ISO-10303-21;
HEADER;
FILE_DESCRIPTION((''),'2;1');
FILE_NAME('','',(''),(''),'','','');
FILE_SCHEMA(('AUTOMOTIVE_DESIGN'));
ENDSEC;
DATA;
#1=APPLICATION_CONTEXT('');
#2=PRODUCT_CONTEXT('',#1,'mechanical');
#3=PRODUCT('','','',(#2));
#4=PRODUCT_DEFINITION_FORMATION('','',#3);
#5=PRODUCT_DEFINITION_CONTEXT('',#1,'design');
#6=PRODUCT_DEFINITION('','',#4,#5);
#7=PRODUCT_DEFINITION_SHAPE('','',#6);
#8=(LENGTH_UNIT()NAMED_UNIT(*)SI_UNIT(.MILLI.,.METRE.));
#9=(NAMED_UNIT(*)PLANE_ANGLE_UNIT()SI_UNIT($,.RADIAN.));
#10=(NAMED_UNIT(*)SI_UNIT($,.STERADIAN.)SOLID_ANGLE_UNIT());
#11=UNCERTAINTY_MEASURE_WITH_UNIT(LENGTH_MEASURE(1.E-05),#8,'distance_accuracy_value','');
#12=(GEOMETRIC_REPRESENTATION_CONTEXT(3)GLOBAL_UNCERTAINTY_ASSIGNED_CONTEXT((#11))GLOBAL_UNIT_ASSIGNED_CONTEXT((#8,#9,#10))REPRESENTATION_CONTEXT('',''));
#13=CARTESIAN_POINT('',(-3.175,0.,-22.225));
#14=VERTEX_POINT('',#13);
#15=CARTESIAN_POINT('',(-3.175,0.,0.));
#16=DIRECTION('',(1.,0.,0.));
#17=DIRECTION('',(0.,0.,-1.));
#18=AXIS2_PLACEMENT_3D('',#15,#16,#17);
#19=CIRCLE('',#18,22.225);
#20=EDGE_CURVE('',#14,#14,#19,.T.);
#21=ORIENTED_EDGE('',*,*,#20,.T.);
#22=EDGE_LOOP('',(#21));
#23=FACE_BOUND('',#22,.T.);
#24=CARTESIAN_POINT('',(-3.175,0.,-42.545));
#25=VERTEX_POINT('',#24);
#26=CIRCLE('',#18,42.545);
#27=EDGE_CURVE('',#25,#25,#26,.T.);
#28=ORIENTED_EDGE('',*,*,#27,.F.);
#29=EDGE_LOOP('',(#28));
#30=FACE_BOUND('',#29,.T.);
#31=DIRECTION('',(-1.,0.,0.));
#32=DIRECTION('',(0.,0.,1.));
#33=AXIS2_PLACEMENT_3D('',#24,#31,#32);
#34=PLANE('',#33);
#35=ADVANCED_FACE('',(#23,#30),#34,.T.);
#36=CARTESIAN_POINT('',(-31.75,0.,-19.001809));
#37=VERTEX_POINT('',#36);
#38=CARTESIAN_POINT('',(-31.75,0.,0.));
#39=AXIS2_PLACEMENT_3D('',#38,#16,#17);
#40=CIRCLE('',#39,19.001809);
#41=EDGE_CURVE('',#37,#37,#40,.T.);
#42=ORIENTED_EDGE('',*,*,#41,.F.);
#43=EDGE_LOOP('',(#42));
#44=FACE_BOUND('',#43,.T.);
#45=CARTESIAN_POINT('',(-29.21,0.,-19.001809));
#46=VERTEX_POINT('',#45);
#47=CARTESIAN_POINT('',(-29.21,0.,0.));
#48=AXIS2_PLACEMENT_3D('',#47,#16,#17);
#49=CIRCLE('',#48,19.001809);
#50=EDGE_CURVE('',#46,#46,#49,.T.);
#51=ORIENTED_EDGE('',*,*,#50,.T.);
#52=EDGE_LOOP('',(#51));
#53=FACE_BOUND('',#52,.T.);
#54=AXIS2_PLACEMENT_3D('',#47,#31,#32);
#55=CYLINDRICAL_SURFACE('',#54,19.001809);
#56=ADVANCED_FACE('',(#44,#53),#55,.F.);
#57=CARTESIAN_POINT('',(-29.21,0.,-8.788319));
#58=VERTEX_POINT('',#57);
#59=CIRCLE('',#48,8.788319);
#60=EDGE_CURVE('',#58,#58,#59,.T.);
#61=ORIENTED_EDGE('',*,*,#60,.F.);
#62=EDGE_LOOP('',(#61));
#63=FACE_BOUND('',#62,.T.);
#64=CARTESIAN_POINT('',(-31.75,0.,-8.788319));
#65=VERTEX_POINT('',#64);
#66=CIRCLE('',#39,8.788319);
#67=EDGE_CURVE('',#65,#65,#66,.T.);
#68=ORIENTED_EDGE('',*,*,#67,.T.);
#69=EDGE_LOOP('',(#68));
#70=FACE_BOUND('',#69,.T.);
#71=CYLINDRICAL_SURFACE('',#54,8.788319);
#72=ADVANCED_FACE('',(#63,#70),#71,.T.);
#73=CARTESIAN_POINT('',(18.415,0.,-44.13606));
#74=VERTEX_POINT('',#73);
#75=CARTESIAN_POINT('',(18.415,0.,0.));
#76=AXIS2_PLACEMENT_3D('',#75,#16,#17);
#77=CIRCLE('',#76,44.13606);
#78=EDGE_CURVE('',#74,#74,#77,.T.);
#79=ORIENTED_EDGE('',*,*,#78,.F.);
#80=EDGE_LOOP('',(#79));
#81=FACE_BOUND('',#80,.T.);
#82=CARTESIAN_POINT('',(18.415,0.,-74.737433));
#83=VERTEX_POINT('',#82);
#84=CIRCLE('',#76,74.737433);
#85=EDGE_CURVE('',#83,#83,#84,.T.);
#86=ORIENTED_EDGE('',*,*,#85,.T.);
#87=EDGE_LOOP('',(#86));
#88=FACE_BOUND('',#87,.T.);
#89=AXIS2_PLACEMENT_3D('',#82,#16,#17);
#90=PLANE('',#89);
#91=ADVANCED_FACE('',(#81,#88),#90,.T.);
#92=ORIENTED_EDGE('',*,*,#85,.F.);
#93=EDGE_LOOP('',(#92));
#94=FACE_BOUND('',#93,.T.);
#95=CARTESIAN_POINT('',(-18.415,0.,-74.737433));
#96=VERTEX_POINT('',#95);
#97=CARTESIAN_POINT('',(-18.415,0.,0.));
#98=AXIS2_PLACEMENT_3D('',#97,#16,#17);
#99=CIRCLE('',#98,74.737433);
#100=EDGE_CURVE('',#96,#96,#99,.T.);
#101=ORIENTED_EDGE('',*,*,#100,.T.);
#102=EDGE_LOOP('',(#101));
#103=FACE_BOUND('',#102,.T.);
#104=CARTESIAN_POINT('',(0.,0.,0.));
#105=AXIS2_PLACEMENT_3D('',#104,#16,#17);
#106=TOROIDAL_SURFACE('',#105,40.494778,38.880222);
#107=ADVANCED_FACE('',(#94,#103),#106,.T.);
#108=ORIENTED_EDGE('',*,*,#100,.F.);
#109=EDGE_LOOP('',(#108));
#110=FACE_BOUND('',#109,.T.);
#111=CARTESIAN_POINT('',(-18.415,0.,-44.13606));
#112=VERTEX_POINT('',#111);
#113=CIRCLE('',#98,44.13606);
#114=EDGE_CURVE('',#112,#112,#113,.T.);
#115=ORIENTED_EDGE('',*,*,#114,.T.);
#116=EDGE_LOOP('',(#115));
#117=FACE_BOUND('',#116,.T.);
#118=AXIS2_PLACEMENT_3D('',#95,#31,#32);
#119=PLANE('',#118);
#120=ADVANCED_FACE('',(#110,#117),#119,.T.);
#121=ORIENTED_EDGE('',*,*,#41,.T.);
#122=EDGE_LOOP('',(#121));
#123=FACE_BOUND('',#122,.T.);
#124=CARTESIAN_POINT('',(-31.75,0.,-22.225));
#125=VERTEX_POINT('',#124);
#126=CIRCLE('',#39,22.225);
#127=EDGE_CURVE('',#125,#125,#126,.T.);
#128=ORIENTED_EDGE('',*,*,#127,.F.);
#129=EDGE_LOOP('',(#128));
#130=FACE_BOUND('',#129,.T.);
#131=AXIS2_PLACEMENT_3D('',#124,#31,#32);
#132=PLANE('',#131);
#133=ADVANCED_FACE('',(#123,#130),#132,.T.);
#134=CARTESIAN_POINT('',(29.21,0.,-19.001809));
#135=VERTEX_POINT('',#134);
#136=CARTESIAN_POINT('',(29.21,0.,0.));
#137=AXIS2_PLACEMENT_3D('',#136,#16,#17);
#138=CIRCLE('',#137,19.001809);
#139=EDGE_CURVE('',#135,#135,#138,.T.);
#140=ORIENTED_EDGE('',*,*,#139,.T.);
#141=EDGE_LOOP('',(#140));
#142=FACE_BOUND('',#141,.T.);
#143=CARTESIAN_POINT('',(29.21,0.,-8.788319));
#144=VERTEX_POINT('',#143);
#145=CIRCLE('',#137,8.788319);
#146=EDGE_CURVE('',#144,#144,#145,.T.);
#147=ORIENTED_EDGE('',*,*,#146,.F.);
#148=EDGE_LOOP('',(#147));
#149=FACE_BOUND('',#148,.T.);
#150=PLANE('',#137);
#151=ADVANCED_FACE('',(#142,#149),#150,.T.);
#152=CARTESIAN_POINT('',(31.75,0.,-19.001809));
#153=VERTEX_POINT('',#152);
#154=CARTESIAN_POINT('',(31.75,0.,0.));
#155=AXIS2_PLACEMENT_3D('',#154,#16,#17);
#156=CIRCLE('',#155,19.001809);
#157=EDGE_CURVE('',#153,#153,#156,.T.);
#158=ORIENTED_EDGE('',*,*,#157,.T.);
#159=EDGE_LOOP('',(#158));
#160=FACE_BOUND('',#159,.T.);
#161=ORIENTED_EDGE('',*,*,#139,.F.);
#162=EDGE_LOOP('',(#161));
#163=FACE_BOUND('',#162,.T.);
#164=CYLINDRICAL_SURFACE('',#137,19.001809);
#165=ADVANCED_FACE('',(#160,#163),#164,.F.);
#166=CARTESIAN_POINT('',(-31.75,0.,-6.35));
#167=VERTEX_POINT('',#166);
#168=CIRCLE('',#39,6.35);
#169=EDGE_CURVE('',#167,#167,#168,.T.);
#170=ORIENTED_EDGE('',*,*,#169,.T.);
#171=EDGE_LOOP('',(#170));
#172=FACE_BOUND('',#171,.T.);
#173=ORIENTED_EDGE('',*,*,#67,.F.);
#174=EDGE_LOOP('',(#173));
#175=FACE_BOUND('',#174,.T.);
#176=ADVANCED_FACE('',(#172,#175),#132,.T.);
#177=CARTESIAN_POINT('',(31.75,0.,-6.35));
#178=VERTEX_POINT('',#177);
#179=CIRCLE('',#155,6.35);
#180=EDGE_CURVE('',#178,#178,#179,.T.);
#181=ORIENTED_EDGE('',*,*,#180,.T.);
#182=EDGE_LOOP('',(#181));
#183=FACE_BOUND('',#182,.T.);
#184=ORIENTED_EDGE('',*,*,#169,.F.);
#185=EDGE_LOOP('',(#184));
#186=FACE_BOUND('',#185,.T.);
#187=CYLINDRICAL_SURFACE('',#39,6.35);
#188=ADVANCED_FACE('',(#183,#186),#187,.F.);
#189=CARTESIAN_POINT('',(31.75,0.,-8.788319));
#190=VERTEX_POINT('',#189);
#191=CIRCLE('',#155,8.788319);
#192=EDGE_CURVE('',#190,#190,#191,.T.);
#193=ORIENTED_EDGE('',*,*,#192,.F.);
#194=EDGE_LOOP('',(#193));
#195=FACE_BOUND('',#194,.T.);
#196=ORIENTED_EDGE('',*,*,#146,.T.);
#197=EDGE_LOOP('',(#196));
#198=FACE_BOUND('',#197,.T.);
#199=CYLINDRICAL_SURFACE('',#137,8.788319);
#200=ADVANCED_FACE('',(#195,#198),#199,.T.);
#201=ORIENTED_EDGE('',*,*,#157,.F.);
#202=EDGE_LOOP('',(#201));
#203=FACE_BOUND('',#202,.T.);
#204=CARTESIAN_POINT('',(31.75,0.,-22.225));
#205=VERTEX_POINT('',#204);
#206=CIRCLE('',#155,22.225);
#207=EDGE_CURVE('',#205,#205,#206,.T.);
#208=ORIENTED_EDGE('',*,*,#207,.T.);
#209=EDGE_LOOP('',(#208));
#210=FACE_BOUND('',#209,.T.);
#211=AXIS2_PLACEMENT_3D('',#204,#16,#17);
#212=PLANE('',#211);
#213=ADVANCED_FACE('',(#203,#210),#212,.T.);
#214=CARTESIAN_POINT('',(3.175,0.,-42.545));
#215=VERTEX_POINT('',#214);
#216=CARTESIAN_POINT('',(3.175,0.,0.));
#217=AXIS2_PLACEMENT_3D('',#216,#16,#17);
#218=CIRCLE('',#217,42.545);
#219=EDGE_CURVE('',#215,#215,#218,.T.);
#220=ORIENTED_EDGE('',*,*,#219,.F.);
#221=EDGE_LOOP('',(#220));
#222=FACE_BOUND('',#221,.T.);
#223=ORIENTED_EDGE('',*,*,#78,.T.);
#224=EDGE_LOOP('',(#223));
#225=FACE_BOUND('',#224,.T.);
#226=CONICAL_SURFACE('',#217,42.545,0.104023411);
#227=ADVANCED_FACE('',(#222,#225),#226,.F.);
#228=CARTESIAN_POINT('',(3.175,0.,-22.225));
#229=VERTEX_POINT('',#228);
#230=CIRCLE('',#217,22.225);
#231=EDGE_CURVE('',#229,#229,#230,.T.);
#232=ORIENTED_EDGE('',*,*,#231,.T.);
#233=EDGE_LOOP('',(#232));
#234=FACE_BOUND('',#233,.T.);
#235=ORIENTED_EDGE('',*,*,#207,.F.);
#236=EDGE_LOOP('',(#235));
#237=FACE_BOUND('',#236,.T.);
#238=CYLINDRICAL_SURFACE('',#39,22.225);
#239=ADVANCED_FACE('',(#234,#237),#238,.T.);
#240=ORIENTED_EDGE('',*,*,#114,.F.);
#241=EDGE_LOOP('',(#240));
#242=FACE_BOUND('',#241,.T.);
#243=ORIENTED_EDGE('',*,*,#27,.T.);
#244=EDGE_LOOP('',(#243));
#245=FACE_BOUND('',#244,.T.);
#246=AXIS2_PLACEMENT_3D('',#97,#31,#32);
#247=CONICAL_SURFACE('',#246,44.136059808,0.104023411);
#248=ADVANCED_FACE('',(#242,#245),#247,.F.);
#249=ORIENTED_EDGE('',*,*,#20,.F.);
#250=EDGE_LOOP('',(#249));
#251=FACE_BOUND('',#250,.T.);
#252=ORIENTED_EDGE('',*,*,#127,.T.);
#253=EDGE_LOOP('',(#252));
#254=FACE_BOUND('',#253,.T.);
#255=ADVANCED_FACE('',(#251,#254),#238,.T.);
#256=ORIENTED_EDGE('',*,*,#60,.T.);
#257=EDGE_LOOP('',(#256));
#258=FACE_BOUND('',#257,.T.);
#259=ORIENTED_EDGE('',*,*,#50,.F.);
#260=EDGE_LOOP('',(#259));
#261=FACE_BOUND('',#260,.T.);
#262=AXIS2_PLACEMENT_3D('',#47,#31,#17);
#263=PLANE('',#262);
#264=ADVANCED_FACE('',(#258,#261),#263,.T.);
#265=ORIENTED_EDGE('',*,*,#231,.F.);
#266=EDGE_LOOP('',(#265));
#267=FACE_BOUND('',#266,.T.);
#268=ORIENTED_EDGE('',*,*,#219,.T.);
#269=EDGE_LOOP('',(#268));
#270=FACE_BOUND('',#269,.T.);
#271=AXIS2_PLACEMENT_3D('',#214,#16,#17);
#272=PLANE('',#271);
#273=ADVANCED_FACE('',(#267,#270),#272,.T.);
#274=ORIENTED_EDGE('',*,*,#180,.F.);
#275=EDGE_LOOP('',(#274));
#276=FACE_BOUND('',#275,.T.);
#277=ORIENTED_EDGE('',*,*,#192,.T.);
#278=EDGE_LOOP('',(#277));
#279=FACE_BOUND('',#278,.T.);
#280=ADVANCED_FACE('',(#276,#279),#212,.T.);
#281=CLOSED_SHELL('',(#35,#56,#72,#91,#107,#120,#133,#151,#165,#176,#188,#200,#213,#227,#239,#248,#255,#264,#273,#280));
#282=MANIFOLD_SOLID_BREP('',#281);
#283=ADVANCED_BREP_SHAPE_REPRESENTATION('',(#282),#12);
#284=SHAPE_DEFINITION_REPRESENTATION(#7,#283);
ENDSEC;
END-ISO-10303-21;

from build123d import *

# Parameters (mm, degrees)
SKETCH2_R          = 19.001809039
SKETCH2_R_2        = 8.788318948
CUT_EXTRUDE1_DEPTH = 2.54
SKETCH3_R          = 6.35
CUT_EXTRUDE2_DEPTH = 64.5


with BuildPart() as part:
    # Sketch1 → Revolve1 (revolve)
    with BuildSketch(Plane(origin=(0, 0, 0), x_dir=(1, 0, 0), z_dir=(0, 1, 0))):
        with BuildLine():
            Line((-31.75, 22.225), (-31.75, 0))
            Line((-31.75, 0), (31.75, 0))
            Line((31.75, 0), (31.75, 22.225))
            Line((31.75, 22.225), (3.175, 22.225))
            Line((3.175, 22.225), (3.175, 42.545))
            Line((3.175, 42.545), (18.415, 44.136059808))
            Line((18.415, 44.136059808), (18.415, 74.737433252))
            ThreePointArc((18.415, 74.737433252), (0, 79.375), (-18.415, 74.737433252))
            Line((-18.415, 74.737433252), (-18.415, 44.136059808))
            Line((-18.415, 44.136059808), (-3.175, 42.545))
            Line((-3.175, 42.545), (-3.175, 22.225))
            Line((-3.175, 22.225), (-31.75, 22.225))
        make_face()
    revolve(axis=Axis((-31.75, 0, 0), (-1, 0, 0)))

    # Sketch2 → Cut-Extrude1 (cut)
    with BuildSketch(Plane(origin=(31.75, 0, 0), x_dir=(0, 0, -1), z_dir=(1, 0, 0))):
        Circle(SKETCH2_R)
        Circle(SKETCH2_R_2, mode=Mode.SUBTRACT)
    cut_extrude1 = extrude(amount=-CUT_EXTRUDE1_DEPTH, mode=Mode.SUBTRACT)

    # Sketch3 → Cut-Extrude2 (cut, through all)
    with BuildSketch(Plane(origin=(31.75, 0, 0), x_dir=(0, 0, -1), z_dir=(1, 0, 0))):
        Circle(SKETCH3_R)
    extrude(amount=-CUT_EXTRUDE2_DEPTH, mode=Mode.SUBTRACT)

    # Mirror3: Cut-Extrude1 across plane
    add(cut_extrude1.mirror(Plane(origin=(0, 0, 0), x_dir=(0, 0, 1), z_dir=(1, 0, 0))), mode=Mode.SUBTRACT)


solid = part.part
